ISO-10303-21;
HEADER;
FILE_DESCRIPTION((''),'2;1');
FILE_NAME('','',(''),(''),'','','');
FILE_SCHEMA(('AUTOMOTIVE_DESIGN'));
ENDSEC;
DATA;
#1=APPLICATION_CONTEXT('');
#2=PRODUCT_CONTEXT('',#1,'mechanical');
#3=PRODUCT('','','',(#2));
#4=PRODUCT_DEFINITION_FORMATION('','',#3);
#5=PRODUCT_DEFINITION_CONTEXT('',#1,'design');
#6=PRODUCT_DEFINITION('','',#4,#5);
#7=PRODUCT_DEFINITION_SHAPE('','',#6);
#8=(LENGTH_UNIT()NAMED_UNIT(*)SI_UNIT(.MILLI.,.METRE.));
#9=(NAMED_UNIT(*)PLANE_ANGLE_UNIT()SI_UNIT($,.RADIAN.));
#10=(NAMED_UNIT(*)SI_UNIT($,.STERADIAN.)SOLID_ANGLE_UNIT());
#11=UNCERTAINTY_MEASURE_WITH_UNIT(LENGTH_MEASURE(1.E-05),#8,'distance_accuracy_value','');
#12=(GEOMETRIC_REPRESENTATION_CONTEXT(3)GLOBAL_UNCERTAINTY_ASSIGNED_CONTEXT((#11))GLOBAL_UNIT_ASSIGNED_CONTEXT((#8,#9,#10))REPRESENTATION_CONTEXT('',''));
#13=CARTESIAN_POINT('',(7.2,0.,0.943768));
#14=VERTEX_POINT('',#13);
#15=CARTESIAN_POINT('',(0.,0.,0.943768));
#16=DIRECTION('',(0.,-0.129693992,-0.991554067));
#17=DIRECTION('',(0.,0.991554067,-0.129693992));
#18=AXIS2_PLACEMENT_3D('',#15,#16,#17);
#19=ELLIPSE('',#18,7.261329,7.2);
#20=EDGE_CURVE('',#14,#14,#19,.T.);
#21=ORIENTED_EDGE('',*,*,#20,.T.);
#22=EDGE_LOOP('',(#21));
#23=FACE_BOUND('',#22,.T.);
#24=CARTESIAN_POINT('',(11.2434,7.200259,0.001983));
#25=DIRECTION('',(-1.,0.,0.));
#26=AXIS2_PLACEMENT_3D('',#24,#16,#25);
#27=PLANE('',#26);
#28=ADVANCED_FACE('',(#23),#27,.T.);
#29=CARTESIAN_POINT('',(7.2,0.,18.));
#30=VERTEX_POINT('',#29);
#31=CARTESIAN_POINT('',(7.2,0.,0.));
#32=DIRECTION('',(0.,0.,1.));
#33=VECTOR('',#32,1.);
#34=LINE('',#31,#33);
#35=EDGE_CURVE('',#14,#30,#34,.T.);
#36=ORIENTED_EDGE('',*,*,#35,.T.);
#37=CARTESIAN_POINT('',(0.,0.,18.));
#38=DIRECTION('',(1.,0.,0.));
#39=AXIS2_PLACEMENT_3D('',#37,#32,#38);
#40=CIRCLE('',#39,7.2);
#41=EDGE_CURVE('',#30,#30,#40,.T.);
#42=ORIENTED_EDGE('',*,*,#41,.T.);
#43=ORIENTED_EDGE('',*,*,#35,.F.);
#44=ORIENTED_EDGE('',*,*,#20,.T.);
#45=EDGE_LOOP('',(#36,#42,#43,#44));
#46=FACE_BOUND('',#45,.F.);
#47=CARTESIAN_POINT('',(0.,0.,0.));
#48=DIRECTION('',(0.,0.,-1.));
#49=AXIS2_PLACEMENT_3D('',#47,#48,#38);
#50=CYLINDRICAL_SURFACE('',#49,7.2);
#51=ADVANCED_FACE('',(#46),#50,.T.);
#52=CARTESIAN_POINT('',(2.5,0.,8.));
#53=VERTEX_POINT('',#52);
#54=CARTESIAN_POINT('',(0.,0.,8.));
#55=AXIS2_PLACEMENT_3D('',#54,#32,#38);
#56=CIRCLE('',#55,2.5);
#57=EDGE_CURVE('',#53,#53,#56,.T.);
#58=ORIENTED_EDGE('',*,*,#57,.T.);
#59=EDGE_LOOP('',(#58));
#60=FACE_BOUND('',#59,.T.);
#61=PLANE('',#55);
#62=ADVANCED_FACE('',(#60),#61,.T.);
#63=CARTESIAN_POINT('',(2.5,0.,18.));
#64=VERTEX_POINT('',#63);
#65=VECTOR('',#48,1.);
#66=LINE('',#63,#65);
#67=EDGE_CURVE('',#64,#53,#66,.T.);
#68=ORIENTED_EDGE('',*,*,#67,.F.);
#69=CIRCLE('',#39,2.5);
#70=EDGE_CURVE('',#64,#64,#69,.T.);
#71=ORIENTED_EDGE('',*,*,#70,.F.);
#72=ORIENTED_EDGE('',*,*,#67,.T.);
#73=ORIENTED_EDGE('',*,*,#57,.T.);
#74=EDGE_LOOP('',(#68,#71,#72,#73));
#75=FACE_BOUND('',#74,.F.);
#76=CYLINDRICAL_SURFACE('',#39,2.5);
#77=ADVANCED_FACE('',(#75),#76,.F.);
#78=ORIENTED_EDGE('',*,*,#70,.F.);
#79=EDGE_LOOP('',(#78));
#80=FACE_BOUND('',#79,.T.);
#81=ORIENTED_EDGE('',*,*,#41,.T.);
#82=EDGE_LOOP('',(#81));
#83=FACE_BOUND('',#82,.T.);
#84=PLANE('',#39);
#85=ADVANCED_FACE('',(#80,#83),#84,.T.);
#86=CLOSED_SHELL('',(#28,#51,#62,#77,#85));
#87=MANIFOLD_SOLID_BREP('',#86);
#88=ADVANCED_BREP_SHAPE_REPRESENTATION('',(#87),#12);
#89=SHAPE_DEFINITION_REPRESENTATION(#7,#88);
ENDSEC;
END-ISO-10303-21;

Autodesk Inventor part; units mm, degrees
ref_plane "YZ Plane" through (0, 0, 0) normal (1, 0, 0) x (0, 1, 0)
ref_plane "XZ Plane" through (0, 0, 0) normal (0, 1, 0) x (-1, 0, 0)
ref_plane "XY Plane" through (0, 0, 0) normal (0, 0, 1) x (1, 0, 0)
sketch "Sketch1" plane through (0, 0, 0) normal (0, 0, 1) x (1, 0, 0)
  circle A0 centre (0, 0) radius 7.2
  dimension "d0" = 14.4
extrude "Extrusion1" add sketch "Sketch1" along normal blind 18
sketch "Sketch2" plane through (0, 0, 18) normal (0, 0, 1) x (1, 0, 0)
  circle A0 centre (0, 0) radius 2.5
  dimension "d3" = 5
extrude "Extrusion2" cut sketch "Sketch2" against normal blind 10
sketch "Sketch3" plane through (0, 0, 0) normal (0, 0, 1) x (1, 0, 0)
  circle A0 centre (0, 0) radius 7.2 projected
  line L0 (11.2434, 7.2) -> (-13.4853, 7.2) construction
ref_plane "Work Plane1" through (11.2434, 7.2, 0) normal (0, -0.1297, -0.9916) x (-1, 0, 0)
sketch "Sketch4" plane through (11.2434, 7.2, 0) normal (0, -0.1297, -0.9916) x (-1, 0, 0)
  line L0 (30.8181, -24.4459) -> (-8.3313, -24.4459)
  line L1 (-8.3313, -24.4459) -> (-8.3313, 10.1675)
  line L2 (-8.3313, 10.1675) -> (30.8181, 10.1675)
  line L3 (30.8181, 10.1675) -> (30.8181, -24.4459)
  line L4 (30.8181, -24.4459) -> (-8.3313, 10.1675) construction
  line L5 (-8.3313, -24.4459) -> (30.8181, 10.1675) construction
  point P0 (11.2434, -7.1392)
extrude "Extrusion3" cut sketch "Sketch4" along normal blind 10
properties part number "HoleFill3"
